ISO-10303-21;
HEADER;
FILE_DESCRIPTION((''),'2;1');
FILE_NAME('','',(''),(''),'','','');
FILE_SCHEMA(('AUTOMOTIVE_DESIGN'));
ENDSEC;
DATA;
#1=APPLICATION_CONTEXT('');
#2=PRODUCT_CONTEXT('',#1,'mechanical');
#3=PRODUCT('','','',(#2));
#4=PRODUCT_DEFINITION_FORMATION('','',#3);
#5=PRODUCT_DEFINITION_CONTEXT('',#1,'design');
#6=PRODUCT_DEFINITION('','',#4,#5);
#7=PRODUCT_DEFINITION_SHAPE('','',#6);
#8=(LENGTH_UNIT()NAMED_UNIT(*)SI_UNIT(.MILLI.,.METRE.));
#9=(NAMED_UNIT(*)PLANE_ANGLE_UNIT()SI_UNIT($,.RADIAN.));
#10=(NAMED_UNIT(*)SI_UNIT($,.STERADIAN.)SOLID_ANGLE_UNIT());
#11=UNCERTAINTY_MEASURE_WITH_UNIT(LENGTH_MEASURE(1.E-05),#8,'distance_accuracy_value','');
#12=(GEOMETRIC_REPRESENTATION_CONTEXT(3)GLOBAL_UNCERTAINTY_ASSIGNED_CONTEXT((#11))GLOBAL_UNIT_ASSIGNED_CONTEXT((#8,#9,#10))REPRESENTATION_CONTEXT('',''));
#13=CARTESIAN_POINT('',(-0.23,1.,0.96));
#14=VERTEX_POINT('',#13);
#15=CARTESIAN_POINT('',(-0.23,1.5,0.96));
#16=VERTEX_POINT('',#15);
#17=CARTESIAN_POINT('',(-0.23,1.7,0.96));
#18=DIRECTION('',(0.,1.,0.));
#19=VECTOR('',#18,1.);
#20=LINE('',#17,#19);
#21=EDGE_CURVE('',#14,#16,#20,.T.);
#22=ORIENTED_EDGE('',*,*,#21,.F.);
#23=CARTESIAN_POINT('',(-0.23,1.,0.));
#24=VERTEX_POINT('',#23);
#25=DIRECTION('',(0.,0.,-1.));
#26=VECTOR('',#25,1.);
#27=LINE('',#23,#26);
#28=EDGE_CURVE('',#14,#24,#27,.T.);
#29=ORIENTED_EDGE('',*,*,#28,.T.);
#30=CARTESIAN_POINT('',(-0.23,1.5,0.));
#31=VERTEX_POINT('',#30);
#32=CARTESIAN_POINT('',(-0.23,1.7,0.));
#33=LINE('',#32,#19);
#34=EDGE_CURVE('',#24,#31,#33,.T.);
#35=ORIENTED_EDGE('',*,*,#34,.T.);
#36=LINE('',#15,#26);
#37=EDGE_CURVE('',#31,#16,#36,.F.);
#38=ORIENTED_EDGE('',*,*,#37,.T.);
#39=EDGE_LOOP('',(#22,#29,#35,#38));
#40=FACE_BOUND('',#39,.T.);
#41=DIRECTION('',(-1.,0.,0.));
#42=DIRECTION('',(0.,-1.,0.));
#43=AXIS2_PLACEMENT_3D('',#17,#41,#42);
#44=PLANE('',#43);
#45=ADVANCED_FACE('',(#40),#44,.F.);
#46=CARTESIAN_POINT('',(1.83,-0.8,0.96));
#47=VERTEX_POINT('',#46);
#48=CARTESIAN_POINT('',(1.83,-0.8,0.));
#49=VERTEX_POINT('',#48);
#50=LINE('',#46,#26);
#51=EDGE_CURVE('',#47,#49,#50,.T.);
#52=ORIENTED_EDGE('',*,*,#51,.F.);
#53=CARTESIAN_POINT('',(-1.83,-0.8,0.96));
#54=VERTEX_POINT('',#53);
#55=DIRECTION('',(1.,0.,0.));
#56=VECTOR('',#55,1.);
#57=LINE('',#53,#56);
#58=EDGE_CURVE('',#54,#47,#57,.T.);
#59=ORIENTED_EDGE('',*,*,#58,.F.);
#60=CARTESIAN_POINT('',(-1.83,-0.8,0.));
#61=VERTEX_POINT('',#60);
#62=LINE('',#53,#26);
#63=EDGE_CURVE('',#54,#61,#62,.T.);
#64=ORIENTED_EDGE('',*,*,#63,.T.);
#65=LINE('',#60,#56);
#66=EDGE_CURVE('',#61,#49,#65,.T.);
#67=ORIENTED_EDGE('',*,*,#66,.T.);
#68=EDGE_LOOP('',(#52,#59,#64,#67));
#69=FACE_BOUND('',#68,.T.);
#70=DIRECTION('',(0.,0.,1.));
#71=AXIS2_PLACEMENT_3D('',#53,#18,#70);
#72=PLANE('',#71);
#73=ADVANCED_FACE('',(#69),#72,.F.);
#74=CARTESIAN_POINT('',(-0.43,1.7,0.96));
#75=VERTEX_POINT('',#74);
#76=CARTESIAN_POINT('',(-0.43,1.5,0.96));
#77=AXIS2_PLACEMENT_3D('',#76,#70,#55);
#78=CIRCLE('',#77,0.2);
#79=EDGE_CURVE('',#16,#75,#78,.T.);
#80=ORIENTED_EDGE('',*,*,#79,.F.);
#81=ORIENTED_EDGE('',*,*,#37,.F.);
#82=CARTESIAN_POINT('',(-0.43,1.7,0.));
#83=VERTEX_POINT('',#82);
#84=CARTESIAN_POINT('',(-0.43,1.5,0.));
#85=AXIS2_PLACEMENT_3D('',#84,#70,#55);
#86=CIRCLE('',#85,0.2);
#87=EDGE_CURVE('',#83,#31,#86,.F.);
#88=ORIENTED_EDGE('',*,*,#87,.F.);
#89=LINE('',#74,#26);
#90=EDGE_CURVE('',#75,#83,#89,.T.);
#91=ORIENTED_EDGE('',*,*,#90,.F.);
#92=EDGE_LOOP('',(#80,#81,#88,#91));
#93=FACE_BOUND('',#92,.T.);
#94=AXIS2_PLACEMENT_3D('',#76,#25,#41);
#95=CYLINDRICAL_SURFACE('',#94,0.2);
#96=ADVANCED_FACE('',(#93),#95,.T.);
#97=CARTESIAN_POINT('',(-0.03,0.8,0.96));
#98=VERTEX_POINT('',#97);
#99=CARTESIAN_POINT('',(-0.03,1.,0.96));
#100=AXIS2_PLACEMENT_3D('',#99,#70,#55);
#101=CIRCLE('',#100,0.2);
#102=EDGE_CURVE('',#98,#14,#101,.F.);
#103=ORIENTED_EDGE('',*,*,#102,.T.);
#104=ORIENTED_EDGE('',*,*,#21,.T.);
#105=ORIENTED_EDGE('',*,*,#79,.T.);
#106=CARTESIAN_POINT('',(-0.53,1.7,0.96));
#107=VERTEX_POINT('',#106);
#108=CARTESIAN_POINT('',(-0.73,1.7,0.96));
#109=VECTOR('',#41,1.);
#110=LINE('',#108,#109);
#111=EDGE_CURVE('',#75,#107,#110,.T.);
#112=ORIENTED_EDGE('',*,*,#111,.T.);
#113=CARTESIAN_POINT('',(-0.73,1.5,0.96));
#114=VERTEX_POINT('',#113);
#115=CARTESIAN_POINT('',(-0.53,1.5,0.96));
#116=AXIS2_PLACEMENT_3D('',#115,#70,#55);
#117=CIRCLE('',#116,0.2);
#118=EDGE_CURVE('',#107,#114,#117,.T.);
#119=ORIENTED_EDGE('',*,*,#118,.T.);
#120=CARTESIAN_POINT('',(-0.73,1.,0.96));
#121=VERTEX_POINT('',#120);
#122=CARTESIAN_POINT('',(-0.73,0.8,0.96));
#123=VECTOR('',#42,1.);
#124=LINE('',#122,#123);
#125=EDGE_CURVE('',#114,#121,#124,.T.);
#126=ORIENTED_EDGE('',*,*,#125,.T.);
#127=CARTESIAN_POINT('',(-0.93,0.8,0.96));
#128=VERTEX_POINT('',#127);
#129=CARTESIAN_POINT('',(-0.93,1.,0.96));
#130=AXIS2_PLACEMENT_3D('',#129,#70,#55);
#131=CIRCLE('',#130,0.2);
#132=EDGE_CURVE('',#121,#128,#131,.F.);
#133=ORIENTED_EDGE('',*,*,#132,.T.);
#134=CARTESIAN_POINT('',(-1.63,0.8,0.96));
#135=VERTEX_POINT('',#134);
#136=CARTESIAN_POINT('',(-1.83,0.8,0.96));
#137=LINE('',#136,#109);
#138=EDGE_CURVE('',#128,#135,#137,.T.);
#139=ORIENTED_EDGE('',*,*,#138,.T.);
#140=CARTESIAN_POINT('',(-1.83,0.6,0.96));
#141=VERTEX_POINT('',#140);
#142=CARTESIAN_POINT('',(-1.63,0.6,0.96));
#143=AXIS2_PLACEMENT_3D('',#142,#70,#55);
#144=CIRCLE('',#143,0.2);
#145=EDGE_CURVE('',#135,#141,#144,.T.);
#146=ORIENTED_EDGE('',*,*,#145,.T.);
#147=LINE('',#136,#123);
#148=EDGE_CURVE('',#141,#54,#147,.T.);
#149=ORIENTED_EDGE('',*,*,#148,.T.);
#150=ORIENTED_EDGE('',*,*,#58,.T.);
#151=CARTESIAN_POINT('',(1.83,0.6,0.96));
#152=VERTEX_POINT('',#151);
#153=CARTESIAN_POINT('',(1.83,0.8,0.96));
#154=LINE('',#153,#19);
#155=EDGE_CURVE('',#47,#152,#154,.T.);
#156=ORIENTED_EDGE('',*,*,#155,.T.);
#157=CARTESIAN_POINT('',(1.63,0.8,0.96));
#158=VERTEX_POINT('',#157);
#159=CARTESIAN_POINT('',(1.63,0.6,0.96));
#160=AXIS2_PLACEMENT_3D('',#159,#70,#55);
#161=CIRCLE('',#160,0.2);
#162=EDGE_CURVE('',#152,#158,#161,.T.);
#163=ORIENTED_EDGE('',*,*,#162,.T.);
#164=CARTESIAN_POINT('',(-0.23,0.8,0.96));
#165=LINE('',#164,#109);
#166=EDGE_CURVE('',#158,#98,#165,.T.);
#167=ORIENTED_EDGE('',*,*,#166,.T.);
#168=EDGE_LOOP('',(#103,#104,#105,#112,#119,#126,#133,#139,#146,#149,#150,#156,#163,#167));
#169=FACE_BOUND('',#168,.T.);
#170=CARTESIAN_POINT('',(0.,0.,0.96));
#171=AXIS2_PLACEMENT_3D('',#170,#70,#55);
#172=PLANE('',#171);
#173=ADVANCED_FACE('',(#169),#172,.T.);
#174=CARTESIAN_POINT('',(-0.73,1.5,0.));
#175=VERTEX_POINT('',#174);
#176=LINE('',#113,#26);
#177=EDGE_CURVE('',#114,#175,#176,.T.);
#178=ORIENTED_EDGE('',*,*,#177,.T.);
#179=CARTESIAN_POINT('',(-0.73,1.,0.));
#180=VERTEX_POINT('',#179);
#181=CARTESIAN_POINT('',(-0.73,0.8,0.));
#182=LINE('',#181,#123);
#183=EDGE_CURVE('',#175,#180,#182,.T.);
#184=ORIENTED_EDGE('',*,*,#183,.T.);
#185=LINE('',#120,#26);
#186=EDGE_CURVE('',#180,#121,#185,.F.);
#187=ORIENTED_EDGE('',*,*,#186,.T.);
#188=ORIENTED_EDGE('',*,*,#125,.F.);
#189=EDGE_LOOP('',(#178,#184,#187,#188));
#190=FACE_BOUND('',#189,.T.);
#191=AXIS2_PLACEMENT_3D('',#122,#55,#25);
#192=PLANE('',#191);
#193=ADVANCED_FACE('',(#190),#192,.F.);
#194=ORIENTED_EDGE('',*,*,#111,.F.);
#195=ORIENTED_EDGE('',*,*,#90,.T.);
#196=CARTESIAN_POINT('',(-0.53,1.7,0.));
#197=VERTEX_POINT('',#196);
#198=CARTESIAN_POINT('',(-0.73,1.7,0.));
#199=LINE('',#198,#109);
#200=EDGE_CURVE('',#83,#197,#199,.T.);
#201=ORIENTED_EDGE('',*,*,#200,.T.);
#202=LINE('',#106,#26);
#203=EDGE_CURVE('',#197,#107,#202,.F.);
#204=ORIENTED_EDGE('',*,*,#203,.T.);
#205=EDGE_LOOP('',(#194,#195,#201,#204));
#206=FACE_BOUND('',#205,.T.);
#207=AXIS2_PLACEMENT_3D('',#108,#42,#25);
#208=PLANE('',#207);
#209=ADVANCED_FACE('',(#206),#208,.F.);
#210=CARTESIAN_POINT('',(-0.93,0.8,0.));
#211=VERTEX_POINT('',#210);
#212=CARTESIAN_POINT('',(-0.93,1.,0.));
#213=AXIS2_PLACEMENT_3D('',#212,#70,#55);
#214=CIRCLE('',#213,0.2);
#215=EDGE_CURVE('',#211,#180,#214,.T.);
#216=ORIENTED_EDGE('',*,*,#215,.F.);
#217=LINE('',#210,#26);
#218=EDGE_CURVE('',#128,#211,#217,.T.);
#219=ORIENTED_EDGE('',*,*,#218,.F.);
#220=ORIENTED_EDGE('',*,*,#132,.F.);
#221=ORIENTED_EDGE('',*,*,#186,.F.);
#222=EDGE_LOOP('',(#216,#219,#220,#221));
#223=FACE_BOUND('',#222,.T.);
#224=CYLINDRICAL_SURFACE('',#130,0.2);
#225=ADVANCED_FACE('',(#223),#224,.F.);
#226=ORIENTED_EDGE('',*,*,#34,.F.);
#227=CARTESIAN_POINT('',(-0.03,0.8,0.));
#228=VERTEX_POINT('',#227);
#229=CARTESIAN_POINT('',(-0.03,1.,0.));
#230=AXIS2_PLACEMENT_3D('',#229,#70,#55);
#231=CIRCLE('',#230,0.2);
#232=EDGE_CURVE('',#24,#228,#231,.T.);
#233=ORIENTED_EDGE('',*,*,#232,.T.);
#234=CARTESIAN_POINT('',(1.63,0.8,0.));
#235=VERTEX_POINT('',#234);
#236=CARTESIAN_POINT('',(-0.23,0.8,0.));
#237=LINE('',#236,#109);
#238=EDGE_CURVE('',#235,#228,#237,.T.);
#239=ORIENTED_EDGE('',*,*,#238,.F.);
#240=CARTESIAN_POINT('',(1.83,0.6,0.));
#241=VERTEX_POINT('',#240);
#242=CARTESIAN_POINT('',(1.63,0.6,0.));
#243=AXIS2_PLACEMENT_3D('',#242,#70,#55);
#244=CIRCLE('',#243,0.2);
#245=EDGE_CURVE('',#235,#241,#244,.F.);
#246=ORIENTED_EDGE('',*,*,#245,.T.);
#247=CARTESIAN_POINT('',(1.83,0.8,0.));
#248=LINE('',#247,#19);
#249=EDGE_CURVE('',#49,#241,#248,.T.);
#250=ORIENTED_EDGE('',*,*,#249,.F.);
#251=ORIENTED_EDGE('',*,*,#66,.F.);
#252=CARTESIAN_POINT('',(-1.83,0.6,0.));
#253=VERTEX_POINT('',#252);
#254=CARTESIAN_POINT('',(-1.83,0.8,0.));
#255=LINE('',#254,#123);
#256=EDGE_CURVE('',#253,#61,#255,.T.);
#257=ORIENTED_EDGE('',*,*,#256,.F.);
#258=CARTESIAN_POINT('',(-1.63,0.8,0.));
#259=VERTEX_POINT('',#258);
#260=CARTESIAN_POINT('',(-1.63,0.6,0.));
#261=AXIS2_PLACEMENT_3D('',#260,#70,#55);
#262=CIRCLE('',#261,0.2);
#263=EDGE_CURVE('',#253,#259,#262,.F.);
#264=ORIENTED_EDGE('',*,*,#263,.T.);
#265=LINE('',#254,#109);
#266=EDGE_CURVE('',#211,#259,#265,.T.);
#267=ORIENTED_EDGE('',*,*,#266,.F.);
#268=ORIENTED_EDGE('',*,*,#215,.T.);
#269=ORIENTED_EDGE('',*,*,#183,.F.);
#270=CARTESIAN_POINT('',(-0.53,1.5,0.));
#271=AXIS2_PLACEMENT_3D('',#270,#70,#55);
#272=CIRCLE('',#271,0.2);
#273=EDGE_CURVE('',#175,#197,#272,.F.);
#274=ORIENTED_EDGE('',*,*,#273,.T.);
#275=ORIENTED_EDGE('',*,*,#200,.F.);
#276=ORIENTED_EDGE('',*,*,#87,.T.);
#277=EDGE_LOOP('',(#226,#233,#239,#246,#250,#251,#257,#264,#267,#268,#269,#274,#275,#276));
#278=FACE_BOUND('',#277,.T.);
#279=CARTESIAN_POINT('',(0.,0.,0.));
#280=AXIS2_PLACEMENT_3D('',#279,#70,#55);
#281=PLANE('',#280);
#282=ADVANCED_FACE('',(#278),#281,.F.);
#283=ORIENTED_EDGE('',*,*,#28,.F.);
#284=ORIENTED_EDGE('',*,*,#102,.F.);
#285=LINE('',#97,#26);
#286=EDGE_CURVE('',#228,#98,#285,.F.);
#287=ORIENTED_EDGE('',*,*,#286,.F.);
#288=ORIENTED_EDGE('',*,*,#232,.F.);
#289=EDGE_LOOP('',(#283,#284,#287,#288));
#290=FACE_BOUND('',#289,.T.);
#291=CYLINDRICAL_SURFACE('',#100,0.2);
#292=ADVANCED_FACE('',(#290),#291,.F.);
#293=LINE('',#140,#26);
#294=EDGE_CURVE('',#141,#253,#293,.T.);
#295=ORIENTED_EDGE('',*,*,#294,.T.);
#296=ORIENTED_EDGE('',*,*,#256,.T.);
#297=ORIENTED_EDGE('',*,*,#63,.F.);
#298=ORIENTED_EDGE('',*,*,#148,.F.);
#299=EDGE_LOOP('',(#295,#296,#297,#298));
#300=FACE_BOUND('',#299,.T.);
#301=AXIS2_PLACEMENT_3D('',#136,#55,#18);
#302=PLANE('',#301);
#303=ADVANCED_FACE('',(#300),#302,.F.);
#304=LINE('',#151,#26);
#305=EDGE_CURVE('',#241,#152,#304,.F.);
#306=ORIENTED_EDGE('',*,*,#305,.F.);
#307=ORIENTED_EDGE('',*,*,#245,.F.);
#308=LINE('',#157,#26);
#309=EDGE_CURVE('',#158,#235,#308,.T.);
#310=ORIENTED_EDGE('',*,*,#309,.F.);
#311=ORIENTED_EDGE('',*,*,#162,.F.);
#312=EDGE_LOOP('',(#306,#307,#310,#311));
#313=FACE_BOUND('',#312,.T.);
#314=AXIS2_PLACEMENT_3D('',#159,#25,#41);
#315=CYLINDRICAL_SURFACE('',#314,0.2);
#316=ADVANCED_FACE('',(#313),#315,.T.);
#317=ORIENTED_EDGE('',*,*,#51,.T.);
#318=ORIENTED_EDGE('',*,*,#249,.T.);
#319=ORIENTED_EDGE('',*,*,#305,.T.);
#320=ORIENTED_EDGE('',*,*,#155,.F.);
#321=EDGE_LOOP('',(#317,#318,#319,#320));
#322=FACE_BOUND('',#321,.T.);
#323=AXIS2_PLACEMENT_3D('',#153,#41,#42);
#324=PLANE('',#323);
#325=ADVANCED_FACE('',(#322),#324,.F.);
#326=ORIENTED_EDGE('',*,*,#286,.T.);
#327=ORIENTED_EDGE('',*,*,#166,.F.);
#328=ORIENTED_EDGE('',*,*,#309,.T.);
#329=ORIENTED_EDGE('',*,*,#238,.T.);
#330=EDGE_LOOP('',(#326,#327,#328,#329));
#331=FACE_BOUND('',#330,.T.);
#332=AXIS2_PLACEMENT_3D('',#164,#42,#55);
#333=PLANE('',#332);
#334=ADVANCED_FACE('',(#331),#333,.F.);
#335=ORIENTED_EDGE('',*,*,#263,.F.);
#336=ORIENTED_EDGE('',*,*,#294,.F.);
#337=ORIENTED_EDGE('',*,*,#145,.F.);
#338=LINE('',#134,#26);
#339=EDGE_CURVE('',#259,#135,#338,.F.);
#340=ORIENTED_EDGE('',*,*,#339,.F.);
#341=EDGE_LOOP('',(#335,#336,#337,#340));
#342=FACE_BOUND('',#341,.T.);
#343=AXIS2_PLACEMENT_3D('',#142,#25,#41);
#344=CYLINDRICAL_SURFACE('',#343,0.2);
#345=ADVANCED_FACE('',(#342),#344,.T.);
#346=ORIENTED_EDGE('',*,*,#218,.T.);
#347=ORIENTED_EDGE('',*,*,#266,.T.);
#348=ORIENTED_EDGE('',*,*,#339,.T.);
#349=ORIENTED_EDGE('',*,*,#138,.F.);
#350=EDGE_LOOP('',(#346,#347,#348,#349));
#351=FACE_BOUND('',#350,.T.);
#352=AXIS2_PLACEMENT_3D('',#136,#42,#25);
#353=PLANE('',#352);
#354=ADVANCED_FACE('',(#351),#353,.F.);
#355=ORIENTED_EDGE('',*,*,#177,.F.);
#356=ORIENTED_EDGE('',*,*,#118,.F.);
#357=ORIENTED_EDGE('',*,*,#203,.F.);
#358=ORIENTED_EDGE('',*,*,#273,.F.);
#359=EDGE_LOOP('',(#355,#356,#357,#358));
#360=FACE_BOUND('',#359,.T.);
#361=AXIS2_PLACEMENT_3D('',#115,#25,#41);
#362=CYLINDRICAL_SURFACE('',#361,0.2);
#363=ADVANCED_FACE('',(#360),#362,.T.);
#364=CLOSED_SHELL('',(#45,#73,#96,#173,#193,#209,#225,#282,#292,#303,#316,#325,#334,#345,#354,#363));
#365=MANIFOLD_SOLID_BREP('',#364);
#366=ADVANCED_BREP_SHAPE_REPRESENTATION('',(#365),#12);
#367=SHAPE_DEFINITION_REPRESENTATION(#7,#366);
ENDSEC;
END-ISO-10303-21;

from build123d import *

# Parameters (mm, degrees)
BOSS_EXTRUDE1_DEPTH = 0.96
FILLET1_R           = 0.2


with BuildPart() as part:
    # Sketch1 → Boss-Extrude1 (new body)
    with BuildSketch(Plane.XY):
        Polygon((-0.73, 0.8), (-0.73, 1.7), (-0.23, 1.7), (-0.23, 0.8), (1.83, 0.8), (1.83, -0.8), (-1.83, -0.8), (-1.83, 0.8), align=None)
    extrude(amount=BOSS_EXTRUDE1_DEPTH)

    # Fillet1
    fillet1_edges = [part.edges().sort_by_distance(p)[0] for p in [
        (-1.83, 0.8, 0.48),
        (-0.73, 0.8, 0.48),
        (-0.73, 1.7, 0.48),
        (-0.23, 1.7, 0.48),
        (-0.23, 0.8, 0.48),
        (1.83, 0.8, 0.48),
    ]]
    fillet(fillet1_edges, radius=FILLET1_R)


solid = part.part
